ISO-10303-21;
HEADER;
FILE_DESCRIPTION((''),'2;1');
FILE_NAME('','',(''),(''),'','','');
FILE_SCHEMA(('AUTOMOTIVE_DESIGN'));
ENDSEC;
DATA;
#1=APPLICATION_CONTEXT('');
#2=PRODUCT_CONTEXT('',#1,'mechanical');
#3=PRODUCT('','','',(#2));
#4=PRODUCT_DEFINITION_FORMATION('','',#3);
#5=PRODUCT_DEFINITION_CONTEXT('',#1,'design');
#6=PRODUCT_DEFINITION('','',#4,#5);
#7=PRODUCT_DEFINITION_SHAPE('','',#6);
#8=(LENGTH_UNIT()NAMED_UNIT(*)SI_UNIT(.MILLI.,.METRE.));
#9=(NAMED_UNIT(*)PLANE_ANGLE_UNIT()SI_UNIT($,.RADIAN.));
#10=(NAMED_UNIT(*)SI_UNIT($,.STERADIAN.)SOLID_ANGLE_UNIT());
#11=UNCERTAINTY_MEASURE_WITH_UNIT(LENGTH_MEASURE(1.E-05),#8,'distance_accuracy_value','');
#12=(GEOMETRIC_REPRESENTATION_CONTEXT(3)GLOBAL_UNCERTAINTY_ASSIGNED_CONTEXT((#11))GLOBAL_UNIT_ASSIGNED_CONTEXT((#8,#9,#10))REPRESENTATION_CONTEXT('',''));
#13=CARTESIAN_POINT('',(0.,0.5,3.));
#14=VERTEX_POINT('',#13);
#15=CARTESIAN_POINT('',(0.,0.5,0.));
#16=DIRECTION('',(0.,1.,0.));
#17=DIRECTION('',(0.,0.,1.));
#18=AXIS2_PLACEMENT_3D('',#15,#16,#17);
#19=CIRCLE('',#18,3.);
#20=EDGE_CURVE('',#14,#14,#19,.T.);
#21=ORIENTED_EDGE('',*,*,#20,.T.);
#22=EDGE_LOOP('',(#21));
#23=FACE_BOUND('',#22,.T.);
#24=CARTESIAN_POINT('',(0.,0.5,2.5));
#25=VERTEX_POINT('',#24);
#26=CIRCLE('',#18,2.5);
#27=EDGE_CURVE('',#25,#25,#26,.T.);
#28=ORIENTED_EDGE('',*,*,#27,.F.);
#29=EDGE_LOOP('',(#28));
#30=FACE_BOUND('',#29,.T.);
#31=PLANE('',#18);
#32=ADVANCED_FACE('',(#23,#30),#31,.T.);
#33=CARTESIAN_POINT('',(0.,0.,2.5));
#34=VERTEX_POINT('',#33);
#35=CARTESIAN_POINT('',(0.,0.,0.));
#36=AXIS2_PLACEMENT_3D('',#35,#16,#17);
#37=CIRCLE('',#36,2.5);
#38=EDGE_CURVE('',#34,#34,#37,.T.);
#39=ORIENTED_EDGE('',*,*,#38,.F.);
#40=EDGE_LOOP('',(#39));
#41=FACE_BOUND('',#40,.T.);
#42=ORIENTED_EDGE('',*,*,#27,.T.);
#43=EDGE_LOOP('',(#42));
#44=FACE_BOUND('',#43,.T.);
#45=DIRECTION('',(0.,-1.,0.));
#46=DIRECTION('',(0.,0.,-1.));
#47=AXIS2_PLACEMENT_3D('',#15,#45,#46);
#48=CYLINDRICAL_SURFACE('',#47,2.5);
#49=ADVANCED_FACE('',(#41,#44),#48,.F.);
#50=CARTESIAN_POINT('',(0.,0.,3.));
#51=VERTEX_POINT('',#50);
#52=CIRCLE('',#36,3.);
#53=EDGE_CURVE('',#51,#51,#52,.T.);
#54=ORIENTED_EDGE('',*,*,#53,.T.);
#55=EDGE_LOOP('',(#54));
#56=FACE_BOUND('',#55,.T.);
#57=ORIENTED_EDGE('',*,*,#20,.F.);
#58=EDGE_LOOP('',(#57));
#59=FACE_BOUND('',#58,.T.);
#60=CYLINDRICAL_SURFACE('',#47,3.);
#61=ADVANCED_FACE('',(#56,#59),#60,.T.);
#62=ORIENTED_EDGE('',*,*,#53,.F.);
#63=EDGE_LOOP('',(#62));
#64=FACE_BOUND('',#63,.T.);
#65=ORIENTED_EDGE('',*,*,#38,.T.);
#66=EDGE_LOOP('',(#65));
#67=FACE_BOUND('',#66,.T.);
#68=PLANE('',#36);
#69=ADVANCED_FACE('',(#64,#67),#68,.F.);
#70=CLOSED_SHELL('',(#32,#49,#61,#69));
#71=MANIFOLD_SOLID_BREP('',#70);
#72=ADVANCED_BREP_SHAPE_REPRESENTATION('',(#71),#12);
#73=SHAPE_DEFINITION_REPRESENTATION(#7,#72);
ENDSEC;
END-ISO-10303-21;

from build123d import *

# Parameters (mm, degrees)
SKETCH1_R           = 3
SKETCH1_R_2         = 2.5
BOSS_EXTRUDE1_DEPTH = 0.5


with BuildPart() as part:
    # Sketch1 → Boss-Extrude1 (new body)
    with BuildSketch(Plane(origin=(0, 0, 0), x_dir=(1, 0, 0), z_dir=(0, 1, 0))):
        Circle(SKETCH1_R)
        Circle(SKETCH1_R_2, mode=Mode.SUBTRACT)
    extrude(amount=BOSS_EXTRUDE1_DEPTH)


solid = part.part
